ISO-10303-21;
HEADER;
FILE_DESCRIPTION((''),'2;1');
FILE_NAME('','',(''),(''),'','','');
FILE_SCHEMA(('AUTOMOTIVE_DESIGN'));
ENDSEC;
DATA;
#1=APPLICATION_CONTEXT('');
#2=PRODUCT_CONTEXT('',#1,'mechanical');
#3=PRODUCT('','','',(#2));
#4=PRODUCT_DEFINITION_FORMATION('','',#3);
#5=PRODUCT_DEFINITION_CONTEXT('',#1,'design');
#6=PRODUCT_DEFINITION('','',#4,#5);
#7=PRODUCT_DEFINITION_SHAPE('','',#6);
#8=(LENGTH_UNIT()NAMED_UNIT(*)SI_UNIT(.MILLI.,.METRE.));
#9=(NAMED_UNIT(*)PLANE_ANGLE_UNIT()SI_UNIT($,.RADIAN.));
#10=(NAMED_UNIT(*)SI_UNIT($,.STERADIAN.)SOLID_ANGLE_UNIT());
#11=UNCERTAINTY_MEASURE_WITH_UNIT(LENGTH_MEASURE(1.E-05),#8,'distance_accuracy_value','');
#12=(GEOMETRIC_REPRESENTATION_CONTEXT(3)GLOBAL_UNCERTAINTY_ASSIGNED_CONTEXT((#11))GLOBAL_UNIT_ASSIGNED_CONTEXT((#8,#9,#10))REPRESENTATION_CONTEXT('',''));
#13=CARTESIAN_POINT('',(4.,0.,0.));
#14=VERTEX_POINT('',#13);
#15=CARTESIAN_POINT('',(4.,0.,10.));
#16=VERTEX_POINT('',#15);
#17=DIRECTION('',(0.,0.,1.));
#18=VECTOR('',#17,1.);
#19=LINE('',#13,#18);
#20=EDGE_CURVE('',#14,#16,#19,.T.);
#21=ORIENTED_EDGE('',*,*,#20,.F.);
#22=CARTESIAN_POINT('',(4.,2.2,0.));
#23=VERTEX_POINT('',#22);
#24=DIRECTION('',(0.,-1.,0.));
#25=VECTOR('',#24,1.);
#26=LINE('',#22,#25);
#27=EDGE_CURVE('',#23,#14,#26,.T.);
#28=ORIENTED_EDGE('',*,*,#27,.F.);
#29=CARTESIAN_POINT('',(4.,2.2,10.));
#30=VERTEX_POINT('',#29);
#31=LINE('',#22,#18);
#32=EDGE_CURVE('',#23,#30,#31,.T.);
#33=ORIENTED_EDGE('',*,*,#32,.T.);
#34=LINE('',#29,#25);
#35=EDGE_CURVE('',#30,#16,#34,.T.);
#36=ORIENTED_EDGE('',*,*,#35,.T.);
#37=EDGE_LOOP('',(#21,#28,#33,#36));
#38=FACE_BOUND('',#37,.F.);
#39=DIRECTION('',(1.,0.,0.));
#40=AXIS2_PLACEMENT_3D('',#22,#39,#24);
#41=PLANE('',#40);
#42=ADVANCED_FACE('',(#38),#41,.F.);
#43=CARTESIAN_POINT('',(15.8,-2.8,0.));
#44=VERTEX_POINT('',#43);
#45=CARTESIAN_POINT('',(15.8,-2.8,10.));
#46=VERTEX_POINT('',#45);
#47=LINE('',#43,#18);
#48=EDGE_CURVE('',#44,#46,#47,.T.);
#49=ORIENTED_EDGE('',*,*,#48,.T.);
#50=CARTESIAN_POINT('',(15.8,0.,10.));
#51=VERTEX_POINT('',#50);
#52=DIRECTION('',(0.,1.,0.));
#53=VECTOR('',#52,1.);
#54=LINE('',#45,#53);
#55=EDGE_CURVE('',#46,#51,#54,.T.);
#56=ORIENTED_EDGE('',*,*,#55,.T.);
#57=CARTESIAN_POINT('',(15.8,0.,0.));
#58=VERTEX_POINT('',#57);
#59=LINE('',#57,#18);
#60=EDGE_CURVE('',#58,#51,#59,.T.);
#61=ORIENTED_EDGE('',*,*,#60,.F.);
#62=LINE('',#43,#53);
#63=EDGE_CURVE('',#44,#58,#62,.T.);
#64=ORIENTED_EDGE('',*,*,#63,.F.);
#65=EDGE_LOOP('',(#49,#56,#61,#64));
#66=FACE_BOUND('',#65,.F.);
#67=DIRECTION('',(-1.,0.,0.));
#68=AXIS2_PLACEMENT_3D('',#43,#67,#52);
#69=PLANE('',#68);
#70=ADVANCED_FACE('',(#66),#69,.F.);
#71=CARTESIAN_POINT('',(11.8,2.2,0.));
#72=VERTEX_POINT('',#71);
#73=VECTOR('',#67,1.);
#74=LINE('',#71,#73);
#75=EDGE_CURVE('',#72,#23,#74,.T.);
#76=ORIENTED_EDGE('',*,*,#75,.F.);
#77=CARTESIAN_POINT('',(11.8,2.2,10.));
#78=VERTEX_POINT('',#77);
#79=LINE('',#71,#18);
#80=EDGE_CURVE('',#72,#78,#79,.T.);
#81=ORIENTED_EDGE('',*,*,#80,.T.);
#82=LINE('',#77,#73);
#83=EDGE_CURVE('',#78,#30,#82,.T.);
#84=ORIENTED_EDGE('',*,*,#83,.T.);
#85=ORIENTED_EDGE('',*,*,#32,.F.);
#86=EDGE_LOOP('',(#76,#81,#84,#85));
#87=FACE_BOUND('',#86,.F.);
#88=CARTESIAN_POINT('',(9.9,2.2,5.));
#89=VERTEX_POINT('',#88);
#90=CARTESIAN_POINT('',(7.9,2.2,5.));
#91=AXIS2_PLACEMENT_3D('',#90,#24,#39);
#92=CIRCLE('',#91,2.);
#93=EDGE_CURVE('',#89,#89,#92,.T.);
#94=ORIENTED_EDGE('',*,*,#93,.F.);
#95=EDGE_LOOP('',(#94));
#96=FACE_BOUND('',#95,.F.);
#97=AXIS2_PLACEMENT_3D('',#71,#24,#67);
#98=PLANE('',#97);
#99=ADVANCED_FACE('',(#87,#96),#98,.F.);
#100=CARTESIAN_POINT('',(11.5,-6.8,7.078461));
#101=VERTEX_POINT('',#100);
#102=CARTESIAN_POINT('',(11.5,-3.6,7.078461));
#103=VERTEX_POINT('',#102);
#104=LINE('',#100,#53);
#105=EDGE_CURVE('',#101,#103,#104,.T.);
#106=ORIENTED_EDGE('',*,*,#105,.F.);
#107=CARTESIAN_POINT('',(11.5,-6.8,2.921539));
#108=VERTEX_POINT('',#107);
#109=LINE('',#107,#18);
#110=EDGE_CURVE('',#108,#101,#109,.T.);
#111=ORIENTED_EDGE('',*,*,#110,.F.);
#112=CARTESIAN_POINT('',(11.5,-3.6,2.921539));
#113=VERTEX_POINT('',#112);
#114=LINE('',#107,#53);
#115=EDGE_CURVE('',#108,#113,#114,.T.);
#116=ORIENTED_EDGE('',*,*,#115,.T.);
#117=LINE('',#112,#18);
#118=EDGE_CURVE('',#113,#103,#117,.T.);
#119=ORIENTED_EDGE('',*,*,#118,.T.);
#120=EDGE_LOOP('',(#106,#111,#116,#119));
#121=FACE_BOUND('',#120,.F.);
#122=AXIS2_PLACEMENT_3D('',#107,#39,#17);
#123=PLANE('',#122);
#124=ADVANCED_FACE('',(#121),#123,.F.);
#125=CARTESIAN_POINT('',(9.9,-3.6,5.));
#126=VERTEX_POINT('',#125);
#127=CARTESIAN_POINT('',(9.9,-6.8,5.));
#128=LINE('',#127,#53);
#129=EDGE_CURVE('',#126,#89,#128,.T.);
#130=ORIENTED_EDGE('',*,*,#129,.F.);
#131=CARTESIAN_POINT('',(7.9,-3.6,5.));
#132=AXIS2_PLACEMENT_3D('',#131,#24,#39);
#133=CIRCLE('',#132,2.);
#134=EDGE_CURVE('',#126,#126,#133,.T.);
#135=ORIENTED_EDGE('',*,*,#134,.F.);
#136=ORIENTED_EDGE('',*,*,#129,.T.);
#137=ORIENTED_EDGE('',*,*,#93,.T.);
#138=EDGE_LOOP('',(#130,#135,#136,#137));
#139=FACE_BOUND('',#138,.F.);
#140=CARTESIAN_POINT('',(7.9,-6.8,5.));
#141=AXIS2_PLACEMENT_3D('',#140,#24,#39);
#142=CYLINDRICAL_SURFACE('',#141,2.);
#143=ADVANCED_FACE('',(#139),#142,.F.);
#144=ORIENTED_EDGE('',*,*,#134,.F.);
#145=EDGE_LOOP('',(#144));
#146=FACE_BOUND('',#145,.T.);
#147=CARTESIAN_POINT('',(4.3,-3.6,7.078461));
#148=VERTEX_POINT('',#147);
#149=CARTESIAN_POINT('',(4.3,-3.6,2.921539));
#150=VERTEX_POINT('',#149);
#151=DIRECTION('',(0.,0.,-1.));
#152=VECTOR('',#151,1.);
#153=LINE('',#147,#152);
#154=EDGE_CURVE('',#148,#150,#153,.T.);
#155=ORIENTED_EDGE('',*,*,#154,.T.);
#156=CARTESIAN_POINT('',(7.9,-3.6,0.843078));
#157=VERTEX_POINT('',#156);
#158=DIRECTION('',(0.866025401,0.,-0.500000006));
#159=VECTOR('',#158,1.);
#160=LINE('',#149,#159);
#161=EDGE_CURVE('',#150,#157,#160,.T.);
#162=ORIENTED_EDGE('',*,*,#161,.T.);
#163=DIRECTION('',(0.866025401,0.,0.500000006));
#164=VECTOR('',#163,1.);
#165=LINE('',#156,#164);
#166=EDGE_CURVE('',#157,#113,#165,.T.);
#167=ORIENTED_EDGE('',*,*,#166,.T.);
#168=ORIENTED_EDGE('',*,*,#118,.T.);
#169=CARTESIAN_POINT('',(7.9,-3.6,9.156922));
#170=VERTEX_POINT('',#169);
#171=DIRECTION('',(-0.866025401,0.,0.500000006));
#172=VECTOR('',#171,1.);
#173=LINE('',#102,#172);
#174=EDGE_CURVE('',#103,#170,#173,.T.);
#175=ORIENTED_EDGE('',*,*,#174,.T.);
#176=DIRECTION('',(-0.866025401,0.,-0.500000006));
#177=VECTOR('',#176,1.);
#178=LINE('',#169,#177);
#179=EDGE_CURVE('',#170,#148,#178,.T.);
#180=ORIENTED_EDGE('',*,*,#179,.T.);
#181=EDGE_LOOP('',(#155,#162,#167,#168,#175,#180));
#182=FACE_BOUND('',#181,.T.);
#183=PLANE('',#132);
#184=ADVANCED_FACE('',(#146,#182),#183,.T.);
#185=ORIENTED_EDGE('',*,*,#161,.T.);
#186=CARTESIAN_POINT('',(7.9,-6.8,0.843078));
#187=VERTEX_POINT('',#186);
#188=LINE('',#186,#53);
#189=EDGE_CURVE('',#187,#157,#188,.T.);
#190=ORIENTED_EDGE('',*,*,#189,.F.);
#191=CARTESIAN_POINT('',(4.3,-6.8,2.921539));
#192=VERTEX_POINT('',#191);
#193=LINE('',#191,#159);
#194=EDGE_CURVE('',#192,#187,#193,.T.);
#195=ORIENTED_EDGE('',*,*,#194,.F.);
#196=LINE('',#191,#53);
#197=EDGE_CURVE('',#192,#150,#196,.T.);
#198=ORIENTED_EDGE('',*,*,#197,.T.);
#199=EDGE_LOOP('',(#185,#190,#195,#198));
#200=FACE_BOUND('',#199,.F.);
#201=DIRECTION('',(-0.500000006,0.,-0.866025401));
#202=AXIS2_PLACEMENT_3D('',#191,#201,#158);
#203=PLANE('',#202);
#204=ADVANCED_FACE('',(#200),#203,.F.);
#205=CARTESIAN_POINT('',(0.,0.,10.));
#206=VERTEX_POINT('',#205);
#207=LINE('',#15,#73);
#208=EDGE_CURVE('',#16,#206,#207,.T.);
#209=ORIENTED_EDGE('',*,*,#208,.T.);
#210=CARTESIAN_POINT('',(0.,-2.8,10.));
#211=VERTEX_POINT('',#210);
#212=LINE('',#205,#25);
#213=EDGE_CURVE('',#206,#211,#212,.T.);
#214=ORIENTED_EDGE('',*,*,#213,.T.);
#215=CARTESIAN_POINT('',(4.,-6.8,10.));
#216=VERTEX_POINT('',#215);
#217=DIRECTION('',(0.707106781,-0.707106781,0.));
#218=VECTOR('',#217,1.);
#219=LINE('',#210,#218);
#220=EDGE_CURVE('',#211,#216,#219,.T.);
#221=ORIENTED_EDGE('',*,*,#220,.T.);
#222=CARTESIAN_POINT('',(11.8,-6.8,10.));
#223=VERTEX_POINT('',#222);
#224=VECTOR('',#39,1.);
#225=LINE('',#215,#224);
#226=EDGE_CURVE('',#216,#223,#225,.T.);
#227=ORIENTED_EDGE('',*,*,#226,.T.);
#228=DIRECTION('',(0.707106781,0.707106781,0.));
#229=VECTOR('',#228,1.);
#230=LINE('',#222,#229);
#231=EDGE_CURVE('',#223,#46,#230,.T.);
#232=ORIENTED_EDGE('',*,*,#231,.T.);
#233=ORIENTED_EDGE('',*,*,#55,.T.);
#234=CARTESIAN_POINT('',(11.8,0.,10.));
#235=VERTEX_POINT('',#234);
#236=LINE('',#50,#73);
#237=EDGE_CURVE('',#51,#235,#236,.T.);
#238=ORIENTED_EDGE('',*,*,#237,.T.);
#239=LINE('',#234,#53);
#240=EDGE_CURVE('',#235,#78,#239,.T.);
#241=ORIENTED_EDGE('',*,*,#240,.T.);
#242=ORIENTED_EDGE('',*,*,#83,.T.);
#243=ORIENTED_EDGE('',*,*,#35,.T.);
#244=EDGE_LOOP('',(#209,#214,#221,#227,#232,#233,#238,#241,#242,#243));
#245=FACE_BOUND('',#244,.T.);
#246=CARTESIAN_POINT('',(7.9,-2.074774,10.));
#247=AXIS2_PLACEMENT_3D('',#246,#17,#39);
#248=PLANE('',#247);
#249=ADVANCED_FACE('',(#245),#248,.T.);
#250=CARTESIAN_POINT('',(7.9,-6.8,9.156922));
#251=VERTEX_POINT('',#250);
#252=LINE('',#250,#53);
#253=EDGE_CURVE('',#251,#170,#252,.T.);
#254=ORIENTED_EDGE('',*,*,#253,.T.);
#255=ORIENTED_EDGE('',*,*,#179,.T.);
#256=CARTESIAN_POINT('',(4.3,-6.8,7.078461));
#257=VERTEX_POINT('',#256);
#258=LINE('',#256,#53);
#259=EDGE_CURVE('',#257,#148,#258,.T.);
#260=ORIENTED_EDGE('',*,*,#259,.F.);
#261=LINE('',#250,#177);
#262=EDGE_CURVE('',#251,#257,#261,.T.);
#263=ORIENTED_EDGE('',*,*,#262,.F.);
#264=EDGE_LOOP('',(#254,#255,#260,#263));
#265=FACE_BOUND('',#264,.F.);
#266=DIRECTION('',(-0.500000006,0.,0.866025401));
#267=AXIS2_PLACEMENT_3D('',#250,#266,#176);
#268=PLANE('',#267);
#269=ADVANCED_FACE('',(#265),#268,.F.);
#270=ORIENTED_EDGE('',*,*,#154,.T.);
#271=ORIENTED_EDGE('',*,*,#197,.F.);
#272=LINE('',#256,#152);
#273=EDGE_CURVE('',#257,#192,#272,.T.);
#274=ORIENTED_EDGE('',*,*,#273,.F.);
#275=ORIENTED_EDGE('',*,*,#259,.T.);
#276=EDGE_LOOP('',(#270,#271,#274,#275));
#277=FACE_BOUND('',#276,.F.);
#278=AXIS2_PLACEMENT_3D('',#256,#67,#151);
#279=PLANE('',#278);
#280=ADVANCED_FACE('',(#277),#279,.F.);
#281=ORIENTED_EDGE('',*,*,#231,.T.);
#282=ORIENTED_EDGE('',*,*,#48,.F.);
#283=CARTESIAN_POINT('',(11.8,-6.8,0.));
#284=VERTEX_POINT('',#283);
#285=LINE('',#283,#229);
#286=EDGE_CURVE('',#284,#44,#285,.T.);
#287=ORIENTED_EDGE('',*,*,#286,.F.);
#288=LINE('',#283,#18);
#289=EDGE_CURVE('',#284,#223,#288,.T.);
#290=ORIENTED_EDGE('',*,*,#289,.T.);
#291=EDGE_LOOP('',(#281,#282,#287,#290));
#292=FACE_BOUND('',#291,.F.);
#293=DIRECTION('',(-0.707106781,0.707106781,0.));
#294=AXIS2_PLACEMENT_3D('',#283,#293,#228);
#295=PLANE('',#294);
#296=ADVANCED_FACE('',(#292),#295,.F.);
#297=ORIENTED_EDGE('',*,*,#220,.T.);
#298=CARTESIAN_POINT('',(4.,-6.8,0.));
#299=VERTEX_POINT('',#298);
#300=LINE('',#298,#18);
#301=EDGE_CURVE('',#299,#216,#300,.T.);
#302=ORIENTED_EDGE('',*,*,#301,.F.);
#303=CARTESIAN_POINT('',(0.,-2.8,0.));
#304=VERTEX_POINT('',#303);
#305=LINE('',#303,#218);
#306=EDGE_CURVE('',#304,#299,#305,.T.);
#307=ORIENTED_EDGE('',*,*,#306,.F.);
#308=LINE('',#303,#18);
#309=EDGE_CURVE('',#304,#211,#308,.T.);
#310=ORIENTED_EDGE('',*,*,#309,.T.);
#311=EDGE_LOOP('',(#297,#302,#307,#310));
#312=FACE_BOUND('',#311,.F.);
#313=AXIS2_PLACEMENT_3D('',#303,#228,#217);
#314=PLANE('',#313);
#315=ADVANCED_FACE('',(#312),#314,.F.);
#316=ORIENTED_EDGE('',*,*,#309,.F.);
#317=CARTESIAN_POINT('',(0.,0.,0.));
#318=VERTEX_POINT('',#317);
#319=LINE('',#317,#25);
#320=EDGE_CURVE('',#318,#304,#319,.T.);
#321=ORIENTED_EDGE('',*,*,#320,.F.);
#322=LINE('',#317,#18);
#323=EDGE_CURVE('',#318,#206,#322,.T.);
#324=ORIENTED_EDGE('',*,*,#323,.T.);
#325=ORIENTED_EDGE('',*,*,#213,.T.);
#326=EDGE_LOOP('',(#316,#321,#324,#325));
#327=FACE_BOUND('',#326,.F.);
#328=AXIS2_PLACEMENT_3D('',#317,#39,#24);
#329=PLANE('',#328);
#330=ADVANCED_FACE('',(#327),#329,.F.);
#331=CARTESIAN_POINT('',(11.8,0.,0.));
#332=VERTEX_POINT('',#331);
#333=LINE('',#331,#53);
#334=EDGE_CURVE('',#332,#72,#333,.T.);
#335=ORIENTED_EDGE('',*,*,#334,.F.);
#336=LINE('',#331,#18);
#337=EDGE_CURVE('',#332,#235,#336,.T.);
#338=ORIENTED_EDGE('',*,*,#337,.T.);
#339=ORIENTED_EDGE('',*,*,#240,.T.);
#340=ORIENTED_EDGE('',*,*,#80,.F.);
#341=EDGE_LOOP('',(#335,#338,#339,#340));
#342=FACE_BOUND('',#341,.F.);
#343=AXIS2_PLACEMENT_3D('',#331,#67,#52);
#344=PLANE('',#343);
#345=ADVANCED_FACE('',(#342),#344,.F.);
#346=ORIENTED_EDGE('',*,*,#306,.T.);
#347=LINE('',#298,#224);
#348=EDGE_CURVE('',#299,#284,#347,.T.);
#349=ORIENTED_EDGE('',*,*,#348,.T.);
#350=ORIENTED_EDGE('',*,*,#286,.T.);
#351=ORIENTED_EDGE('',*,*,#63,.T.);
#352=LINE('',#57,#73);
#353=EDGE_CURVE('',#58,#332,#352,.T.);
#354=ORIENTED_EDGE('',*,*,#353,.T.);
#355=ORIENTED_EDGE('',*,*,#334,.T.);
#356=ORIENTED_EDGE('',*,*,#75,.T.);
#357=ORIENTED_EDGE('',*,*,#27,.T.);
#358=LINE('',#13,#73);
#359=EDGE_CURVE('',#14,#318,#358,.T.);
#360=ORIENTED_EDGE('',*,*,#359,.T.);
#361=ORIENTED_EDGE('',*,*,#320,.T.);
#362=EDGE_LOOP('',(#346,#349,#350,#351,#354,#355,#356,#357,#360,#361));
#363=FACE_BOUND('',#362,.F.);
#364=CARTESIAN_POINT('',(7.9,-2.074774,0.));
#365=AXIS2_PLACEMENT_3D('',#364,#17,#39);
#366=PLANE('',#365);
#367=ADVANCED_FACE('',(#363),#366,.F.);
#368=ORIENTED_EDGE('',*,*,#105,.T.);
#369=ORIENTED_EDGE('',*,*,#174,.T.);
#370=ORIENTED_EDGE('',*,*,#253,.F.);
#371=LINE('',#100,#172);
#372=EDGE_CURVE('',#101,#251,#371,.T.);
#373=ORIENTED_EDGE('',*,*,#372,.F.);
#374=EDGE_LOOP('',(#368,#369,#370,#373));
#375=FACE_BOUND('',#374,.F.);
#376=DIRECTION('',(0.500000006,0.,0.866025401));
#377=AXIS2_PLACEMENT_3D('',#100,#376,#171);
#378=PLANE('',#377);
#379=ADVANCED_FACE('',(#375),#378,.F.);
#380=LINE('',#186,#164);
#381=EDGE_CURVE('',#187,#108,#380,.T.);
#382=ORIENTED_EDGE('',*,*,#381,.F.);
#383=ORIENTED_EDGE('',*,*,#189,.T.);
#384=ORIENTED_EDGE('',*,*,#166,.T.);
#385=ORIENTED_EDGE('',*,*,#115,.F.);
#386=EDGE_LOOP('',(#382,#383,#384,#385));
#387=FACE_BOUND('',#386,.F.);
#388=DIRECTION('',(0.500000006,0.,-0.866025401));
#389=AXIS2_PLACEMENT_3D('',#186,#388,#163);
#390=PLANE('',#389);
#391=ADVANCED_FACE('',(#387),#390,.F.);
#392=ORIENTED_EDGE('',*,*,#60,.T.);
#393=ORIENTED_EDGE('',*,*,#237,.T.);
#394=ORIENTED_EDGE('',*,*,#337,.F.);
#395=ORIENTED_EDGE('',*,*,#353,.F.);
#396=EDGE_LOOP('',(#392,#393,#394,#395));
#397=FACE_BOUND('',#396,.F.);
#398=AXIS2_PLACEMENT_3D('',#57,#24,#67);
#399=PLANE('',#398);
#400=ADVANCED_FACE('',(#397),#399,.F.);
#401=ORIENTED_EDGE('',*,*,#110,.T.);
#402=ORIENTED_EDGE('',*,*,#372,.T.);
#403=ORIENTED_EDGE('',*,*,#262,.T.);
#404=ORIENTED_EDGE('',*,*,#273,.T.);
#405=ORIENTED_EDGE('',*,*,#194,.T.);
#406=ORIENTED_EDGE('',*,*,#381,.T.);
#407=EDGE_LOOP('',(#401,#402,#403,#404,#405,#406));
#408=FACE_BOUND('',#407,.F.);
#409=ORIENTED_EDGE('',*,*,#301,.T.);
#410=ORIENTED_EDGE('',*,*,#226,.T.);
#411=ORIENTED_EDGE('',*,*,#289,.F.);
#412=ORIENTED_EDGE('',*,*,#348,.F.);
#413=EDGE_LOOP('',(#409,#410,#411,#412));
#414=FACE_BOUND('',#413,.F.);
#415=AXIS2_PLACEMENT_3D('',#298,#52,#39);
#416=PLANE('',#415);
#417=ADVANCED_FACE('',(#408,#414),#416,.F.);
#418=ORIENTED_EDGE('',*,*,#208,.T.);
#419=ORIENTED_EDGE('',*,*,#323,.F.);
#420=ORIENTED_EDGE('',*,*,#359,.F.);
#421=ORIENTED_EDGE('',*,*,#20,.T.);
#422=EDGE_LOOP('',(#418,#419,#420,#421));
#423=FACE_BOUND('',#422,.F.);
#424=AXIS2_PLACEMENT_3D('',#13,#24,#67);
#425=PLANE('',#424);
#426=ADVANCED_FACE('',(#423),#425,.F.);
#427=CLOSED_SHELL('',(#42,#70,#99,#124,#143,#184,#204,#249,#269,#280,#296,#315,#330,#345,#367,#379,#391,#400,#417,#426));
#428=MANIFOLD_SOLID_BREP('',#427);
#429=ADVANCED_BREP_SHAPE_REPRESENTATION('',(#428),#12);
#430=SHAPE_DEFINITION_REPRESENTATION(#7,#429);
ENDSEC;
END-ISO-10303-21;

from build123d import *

# Parameters (mm, degrees)
PAD_DEPTH       = 10
POCKET_DEPTH    = 3.2
SKETCH002_R     = 2
POCKET001_DEPTH = 9.001


with BuildPart() as part:
    # Sketch → Pad (new body)
    with BuildSketch(Plane.XY):
        Polygon((0, 0), (0, -2.8), (4, -6.8), (11.8, -6.8), (15.8, -2.8), (15.8, 0), (11.8, 0), (11.8, 2.2), (4, 2.2), (4, 0), align=None)
    extrude(amount=PAD_DEPTH)

    # Sketch001 (on DatumPlane) → Pocket (cut)
    with BuildSketch(Plane.XZ.offset(6.8)):
        Polygon((11.5, 7.078461), (7.9, 9.156922), (4.3, 7.078461), (4.3, 2.921539), (7.9, 0.843078), (11.5, 2.921539), align=None)
    extrude(amount=-POCKET_DEPTH, mode=Mode.SUBTRACT)

    # Sketch002 (on DatumPlane) → Pocket001 (cut, through all)
    with BuildSketch(Plane.XZ.offset(6.8)):
        with Locations((7.9, 5)):
            Circle(SKETCH002_R)
    extrude(amount=-POCKET001_DEPTH, mode=Mode.SUBTRACT)


solid = part.part
